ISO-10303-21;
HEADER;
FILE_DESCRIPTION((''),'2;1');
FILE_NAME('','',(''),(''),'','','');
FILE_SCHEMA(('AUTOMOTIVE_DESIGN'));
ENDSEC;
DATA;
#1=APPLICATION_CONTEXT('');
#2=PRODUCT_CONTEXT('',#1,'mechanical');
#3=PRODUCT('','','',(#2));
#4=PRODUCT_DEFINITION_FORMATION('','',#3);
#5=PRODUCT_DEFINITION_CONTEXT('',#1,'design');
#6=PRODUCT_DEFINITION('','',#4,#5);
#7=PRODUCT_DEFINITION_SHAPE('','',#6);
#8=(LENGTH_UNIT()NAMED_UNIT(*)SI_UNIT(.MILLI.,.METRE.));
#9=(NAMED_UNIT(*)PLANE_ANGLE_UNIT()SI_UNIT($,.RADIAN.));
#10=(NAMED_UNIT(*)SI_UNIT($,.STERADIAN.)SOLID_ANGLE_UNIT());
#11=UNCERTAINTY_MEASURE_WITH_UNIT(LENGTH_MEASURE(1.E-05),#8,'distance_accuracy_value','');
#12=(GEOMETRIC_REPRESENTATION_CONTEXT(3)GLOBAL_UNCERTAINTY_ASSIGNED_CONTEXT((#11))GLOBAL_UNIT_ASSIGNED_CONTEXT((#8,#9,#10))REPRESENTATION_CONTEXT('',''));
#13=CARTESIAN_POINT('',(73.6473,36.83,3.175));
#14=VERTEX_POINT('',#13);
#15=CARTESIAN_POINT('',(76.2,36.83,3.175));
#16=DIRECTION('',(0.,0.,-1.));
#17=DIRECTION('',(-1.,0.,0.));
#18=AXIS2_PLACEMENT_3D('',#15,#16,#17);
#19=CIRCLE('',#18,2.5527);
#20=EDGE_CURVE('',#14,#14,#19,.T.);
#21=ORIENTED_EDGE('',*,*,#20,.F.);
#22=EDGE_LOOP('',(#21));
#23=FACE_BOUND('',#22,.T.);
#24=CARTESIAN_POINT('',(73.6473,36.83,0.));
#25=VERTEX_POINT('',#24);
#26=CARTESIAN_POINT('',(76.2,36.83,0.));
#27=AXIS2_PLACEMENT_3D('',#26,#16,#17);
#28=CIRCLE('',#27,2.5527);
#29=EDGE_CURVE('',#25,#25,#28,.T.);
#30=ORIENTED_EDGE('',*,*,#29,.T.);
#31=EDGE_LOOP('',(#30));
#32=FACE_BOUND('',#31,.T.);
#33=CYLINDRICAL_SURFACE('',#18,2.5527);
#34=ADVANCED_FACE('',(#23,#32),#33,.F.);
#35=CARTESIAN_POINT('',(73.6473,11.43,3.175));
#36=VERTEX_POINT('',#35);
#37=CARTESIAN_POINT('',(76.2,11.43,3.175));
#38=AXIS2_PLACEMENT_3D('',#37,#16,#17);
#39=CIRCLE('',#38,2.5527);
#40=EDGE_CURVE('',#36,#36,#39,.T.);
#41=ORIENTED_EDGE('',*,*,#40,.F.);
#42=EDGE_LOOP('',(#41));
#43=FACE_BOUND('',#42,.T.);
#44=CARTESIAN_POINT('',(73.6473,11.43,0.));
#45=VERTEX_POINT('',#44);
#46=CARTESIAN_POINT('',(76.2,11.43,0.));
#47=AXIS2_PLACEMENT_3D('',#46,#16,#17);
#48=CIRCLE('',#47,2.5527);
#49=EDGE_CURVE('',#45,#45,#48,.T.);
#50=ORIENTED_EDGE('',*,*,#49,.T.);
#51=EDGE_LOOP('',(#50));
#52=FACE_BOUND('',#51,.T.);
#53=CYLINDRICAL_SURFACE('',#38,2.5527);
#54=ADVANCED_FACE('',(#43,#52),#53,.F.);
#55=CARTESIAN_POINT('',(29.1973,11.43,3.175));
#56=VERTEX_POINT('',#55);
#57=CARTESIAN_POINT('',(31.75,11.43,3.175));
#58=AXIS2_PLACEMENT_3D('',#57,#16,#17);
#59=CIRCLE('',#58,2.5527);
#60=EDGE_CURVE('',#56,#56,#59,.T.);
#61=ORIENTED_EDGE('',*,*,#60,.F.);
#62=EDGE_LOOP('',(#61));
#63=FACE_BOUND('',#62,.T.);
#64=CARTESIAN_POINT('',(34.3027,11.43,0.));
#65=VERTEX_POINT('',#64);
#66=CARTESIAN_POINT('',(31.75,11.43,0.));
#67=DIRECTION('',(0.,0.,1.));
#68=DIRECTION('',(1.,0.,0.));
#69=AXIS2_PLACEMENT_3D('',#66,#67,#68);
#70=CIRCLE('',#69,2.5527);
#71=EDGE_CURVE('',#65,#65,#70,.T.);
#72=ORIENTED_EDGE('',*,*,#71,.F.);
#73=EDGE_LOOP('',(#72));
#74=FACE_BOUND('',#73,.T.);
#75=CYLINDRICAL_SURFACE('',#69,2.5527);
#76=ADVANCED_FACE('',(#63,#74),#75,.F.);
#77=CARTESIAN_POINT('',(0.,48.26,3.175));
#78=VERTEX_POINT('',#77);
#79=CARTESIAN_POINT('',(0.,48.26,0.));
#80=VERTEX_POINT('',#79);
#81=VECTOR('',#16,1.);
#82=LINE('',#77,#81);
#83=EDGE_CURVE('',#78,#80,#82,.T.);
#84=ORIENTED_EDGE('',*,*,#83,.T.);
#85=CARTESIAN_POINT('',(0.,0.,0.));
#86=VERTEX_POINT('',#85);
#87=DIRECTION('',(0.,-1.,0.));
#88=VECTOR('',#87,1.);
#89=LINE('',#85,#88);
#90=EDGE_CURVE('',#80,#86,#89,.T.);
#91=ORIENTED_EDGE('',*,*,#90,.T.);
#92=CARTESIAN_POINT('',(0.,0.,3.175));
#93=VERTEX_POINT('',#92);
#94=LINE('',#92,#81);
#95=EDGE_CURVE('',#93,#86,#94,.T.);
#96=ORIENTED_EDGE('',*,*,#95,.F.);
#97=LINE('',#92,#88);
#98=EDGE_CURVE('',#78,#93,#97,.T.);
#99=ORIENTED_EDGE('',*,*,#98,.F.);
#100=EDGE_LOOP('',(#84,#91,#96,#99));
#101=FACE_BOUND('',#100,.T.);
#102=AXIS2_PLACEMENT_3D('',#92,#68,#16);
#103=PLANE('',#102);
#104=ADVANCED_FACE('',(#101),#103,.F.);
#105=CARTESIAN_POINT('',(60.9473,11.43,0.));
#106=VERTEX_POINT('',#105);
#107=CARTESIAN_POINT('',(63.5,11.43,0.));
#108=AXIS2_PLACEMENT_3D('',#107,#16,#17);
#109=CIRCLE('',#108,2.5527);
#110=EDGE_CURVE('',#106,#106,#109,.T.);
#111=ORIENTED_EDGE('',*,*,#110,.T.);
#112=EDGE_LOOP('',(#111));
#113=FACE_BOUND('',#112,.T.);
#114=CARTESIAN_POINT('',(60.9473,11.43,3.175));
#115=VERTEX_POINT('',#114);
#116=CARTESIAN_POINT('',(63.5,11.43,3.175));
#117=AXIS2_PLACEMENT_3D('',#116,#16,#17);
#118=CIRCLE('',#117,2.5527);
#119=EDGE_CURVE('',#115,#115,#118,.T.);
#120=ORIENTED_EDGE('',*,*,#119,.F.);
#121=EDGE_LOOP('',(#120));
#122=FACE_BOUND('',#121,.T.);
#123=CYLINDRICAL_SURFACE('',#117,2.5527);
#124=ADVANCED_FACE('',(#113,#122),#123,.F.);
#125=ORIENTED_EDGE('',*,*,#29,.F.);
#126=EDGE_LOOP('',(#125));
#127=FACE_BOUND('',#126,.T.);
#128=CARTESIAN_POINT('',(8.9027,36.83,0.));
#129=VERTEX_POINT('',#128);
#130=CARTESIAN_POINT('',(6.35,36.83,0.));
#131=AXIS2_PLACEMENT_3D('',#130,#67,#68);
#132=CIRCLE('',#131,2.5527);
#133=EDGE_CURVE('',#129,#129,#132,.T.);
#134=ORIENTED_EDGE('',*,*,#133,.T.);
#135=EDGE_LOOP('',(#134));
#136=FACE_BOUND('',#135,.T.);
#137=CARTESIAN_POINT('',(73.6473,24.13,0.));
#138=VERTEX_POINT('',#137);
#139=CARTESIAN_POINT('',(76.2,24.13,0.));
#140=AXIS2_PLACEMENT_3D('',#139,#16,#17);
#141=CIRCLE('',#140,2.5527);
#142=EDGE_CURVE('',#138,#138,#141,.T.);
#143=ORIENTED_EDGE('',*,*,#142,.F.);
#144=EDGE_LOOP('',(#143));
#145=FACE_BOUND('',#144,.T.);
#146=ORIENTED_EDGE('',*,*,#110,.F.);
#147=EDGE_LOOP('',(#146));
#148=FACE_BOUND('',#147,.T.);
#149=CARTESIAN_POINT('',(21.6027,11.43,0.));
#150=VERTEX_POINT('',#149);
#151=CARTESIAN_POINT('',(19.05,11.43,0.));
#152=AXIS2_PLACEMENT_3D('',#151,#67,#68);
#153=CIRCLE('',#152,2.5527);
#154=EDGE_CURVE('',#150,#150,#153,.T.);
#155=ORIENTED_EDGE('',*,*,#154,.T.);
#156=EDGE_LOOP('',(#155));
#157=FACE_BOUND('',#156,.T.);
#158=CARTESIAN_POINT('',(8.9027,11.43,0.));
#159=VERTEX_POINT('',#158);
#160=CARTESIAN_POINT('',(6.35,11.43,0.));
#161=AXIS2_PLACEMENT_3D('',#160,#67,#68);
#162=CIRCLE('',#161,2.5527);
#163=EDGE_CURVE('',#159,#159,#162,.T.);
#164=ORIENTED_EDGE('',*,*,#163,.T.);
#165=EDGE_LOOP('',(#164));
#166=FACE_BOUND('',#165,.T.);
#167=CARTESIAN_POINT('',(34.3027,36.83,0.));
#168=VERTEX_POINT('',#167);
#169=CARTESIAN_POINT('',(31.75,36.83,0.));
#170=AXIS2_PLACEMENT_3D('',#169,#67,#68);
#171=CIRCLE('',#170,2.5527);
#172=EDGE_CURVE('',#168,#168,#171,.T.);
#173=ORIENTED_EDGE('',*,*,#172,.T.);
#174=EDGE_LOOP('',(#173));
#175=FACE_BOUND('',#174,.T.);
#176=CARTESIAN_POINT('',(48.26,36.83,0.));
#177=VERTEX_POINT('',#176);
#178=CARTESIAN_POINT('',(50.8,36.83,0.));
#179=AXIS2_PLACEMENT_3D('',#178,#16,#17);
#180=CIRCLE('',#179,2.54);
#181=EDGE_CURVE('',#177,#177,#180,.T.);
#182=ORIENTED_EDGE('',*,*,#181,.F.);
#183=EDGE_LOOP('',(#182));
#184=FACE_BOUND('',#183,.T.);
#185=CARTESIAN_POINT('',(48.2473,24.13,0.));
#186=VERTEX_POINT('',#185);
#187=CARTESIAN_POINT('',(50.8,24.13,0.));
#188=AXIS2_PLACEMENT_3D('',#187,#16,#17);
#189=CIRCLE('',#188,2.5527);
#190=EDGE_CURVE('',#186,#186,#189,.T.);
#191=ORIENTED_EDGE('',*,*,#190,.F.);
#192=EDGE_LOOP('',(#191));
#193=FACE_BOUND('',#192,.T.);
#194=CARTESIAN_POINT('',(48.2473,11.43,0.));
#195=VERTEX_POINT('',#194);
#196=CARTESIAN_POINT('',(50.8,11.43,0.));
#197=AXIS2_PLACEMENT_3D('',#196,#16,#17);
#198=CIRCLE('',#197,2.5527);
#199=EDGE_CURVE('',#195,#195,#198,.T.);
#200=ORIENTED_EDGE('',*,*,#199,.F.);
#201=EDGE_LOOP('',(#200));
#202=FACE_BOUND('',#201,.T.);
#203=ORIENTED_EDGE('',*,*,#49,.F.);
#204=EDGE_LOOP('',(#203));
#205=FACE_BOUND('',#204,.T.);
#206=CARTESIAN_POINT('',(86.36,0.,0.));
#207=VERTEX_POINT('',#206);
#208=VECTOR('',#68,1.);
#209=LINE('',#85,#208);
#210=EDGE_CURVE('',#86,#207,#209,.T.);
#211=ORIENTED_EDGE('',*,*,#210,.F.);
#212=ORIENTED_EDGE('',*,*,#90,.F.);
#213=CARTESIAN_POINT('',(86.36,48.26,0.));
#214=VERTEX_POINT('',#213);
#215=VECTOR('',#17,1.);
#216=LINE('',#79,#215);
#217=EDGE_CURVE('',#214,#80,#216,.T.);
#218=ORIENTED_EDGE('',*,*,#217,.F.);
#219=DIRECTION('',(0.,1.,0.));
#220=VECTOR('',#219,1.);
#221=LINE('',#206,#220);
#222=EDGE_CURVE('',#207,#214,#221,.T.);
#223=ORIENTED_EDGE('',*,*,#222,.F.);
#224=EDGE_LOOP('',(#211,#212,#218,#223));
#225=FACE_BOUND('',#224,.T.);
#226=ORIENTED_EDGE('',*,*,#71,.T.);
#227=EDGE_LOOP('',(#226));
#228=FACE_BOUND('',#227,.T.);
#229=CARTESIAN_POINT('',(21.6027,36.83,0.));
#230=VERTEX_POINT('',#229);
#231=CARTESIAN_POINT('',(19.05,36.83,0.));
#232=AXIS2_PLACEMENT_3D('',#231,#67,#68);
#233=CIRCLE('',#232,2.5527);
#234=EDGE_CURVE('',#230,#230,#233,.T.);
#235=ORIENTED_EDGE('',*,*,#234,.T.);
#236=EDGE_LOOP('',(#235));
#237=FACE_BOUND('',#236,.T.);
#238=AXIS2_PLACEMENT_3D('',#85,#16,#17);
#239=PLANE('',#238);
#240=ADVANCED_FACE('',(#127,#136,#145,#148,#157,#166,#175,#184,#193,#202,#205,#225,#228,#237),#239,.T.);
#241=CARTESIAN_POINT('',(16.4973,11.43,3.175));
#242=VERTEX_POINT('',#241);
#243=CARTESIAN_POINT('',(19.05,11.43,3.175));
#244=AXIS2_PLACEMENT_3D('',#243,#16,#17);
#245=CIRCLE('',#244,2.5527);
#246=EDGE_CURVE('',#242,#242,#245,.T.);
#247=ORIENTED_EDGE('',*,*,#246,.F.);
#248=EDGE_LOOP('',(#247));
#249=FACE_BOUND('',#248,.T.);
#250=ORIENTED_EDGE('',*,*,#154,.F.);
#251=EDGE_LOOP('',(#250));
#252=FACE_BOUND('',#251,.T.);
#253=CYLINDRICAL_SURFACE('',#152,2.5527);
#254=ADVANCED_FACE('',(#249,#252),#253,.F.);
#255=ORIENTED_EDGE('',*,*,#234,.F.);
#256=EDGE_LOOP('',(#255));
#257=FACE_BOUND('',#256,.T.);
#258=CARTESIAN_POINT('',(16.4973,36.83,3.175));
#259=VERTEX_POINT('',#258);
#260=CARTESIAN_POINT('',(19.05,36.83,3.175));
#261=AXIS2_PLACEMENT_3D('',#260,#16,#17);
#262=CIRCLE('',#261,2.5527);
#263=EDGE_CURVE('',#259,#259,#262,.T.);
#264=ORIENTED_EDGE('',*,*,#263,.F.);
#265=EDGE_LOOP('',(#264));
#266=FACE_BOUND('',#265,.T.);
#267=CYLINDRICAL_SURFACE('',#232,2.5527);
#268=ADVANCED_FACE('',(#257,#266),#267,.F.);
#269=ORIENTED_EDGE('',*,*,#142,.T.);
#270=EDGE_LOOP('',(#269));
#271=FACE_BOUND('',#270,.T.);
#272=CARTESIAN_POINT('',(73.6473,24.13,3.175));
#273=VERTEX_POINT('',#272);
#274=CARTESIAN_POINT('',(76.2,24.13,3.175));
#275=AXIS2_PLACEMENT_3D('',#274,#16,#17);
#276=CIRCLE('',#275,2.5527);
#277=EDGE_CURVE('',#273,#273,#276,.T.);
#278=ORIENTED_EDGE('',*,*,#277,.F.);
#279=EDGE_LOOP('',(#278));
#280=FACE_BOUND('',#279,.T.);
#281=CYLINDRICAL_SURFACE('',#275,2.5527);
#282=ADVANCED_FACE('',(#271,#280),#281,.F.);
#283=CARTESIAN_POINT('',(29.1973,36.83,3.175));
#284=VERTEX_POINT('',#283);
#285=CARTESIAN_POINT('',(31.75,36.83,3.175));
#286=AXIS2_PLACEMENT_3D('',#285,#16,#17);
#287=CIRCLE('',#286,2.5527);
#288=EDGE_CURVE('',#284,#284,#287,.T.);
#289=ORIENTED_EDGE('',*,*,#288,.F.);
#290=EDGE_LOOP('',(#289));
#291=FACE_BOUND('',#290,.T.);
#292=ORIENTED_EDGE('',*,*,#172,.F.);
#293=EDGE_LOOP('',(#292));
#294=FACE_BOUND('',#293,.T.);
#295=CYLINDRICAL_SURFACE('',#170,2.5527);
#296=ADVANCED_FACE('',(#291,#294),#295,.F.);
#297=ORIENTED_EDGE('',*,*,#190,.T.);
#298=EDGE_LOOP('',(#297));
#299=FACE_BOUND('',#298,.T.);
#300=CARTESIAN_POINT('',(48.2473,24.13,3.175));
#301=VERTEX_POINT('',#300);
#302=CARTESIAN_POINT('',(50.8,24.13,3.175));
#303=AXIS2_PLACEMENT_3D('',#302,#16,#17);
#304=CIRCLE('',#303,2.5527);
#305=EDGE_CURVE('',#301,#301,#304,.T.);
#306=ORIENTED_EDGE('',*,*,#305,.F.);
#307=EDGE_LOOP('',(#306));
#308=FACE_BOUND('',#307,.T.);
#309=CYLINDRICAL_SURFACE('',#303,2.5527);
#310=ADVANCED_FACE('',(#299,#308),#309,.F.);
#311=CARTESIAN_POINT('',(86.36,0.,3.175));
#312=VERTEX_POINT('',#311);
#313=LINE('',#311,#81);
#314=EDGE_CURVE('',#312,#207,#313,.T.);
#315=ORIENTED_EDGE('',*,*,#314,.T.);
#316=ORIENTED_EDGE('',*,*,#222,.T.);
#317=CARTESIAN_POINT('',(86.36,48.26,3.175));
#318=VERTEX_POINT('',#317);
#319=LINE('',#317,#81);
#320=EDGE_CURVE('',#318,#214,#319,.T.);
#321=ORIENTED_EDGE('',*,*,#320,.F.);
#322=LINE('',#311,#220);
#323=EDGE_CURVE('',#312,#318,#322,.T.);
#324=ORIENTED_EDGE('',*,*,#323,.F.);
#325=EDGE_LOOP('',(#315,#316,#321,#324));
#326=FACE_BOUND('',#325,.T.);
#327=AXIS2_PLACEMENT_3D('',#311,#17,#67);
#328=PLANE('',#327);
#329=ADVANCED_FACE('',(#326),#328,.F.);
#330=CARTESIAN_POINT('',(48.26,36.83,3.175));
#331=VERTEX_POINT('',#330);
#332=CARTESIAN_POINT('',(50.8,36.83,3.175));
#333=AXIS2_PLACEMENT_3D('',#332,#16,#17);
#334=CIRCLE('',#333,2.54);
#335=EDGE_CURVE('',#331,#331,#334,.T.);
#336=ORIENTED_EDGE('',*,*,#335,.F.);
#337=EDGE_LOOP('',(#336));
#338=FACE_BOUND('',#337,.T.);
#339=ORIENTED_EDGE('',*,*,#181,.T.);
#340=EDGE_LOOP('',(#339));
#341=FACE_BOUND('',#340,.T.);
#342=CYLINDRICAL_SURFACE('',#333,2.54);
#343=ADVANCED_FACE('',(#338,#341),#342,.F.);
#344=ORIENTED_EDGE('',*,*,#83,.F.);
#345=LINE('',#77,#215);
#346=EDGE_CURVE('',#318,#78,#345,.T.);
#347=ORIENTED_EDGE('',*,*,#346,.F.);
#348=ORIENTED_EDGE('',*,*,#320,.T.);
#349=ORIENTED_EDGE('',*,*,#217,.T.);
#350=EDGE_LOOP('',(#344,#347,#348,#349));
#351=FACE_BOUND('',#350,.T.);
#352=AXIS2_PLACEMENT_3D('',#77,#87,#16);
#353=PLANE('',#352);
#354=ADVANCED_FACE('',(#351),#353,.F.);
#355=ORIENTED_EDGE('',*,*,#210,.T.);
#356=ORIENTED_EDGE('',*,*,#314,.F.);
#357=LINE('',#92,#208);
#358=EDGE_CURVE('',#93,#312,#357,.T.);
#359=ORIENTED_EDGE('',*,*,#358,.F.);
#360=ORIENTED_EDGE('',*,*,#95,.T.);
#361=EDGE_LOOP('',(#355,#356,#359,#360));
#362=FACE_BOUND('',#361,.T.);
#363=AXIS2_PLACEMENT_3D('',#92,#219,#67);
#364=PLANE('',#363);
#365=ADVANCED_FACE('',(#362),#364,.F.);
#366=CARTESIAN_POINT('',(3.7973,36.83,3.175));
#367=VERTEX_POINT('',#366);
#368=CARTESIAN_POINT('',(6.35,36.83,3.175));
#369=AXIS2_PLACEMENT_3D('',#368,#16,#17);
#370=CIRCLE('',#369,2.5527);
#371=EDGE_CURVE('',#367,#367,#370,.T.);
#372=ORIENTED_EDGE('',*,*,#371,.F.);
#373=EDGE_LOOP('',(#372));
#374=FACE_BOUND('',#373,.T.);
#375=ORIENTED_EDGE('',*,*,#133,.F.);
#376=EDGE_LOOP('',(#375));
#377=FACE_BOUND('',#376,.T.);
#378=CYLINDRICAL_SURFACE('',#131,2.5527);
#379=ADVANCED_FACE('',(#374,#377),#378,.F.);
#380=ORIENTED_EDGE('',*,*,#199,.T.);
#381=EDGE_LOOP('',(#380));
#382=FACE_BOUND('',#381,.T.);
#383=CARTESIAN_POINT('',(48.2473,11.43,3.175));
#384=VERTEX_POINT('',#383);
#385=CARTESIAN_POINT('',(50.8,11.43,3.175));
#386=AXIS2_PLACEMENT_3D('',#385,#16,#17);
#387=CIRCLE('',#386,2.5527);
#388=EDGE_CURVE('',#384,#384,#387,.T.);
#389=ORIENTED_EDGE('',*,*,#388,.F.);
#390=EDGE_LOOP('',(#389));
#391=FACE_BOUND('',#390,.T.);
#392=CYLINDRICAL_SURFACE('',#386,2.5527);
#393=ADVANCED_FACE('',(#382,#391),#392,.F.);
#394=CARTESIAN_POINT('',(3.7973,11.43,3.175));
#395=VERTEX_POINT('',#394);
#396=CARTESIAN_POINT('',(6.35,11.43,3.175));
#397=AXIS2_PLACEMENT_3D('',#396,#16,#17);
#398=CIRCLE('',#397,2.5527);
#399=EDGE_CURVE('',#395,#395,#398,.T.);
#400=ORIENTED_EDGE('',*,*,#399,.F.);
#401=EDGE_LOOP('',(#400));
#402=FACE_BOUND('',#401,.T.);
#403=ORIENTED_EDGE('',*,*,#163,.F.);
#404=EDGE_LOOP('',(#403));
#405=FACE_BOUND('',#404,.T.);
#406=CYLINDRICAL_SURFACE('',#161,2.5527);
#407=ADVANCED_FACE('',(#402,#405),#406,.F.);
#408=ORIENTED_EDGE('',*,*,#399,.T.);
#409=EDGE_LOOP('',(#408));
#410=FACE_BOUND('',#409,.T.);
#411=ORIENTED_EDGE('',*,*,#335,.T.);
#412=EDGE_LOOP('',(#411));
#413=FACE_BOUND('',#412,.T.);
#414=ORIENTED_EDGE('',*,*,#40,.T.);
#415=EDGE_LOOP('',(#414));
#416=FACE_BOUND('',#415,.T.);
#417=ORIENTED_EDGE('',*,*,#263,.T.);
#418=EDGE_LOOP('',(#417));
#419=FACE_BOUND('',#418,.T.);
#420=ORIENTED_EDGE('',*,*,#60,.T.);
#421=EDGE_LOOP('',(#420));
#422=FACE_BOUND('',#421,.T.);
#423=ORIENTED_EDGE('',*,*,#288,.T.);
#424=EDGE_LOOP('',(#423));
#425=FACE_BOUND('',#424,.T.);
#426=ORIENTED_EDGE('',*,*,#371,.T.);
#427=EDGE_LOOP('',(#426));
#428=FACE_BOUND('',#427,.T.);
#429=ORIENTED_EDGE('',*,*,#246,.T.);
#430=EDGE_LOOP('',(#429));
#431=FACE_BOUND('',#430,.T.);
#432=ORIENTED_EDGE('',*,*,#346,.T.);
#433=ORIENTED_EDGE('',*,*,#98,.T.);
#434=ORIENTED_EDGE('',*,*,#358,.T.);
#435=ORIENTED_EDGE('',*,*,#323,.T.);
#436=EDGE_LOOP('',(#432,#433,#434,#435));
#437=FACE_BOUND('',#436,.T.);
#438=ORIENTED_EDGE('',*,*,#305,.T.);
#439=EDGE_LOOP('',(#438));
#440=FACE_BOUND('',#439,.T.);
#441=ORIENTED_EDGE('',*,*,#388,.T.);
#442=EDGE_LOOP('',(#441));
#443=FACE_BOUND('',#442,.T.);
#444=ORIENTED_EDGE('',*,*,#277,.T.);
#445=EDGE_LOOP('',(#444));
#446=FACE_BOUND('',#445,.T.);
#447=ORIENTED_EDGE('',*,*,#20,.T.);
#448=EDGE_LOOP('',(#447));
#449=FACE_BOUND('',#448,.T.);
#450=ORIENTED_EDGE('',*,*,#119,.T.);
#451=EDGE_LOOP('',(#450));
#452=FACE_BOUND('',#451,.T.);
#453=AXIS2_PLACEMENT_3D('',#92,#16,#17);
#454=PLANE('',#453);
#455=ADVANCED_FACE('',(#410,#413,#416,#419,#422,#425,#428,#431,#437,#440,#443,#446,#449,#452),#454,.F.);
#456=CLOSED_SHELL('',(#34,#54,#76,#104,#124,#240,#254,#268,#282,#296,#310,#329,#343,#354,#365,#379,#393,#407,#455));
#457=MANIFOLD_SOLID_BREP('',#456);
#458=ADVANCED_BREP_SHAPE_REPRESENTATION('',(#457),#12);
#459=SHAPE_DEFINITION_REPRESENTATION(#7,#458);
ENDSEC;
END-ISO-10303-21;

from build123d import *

# Parameters (mm, degrees)
SKETCH1_W               = 86.36
SKETCH1_H               = 48.26
BOSS_EXTRUDE1_DEPTH     = 3.175
CUT_EXTRUDE1_DEPTH      = 99.980593174
CUT_EXTRUDE1_DEPTH_BACK = 99.980593174
SKETCH2_R               = 2.5527
SKETCH3_R               = 2.5527
SKETCH3_R_2             = 2.54
CUT_EXTRUDE2_DEPTH      = 99.980593174
SKETCH4_R               = 2.5527
CUT_EXTRUDE3_DEPTH      = 99.980593174


with BuildPart() as part:
    # Sketch1 → Boss-Extrude1 (new body)
    with BuildSketch(Plane.XY):
        with Locations((43.18, 24.13)):
            Rectangle(SKETCH1_W, SKETCH1_H)
    extrude(amount=BOSS_EXTRUDE1_DEPTH)

    # Sketch2 → Cut-Extrude1 (cut, two sides: drawn at the far end of the back side and taken through both)
    with BuildSketch(Plane.XY.offset(3.175).offset(-CUT_EXTRUDE1_DEPTH_BACK)):
        with Locations((6.35, 36.83)):
            Circle(SKETCH2_R)
        with Locations((6.35, 11.43)):
            Circle(SKETCH2_R)
        with Locations((19.05, 36.83)):
            Circle(SKETCH2_R)
        with Locations((19.05, 11.43)):
            Circle(SKETCH2_R)
        with Locations((31.75, 36.83)):
            Circle(SKETCH2_R)
        with Locations((31.75, 11.43)):
            Circle(SKETCH2_R)
    extrude(amount=CUT_EXTRUDE1_DEPTH + CUT_EXTRUDE1_DEPTH_BACK, mode=Mode.SUBTRACT)

    # Sketch3 → Cut-Extrude2 (cut, through all)
    with BuildSketch(Plane(origin=(0, 0, 0), x_dir=(-1, 0, 0), z_dir=(0, 0, -1))):
        with Locations((-76.2, 36.83)):
            Circle(SKETCH3_R)
        with Locations((-76.2, 24.13)):
            Circle(SKETCH3_R)
        with Locations((-50.8, 36.83)):
            Circle(SKETCH3_R_2)
        with Locations((-50.8, 24.13)):
            Circle(SKETCH3_R)
    extrude(amount=-CUT_EXTRUDE2_DEPTH, mode=Mode.SUBTRACT)

    # Sketch4 → Cut-Extrude3 (cut, through all)
    with BuildSketch(Plane(origin=(0, 0, 0), x_dir=(-1, 0, 0), z_dir=(0, 0, -1))):
        with Locations((-76.2, 11.43)):
            Circle(SKETCH4_R)
        with Locations((-63.5, 11.43)):
            Circle(SKETCH4_R)
        with Locations((-50.8, 11.43)):
            Circle(SKETCH4_R)
    extrude(amount=-CUT_EXTRUDE3_DEPTH, mode=Mode.SUBTRACT)


solid = part.part
